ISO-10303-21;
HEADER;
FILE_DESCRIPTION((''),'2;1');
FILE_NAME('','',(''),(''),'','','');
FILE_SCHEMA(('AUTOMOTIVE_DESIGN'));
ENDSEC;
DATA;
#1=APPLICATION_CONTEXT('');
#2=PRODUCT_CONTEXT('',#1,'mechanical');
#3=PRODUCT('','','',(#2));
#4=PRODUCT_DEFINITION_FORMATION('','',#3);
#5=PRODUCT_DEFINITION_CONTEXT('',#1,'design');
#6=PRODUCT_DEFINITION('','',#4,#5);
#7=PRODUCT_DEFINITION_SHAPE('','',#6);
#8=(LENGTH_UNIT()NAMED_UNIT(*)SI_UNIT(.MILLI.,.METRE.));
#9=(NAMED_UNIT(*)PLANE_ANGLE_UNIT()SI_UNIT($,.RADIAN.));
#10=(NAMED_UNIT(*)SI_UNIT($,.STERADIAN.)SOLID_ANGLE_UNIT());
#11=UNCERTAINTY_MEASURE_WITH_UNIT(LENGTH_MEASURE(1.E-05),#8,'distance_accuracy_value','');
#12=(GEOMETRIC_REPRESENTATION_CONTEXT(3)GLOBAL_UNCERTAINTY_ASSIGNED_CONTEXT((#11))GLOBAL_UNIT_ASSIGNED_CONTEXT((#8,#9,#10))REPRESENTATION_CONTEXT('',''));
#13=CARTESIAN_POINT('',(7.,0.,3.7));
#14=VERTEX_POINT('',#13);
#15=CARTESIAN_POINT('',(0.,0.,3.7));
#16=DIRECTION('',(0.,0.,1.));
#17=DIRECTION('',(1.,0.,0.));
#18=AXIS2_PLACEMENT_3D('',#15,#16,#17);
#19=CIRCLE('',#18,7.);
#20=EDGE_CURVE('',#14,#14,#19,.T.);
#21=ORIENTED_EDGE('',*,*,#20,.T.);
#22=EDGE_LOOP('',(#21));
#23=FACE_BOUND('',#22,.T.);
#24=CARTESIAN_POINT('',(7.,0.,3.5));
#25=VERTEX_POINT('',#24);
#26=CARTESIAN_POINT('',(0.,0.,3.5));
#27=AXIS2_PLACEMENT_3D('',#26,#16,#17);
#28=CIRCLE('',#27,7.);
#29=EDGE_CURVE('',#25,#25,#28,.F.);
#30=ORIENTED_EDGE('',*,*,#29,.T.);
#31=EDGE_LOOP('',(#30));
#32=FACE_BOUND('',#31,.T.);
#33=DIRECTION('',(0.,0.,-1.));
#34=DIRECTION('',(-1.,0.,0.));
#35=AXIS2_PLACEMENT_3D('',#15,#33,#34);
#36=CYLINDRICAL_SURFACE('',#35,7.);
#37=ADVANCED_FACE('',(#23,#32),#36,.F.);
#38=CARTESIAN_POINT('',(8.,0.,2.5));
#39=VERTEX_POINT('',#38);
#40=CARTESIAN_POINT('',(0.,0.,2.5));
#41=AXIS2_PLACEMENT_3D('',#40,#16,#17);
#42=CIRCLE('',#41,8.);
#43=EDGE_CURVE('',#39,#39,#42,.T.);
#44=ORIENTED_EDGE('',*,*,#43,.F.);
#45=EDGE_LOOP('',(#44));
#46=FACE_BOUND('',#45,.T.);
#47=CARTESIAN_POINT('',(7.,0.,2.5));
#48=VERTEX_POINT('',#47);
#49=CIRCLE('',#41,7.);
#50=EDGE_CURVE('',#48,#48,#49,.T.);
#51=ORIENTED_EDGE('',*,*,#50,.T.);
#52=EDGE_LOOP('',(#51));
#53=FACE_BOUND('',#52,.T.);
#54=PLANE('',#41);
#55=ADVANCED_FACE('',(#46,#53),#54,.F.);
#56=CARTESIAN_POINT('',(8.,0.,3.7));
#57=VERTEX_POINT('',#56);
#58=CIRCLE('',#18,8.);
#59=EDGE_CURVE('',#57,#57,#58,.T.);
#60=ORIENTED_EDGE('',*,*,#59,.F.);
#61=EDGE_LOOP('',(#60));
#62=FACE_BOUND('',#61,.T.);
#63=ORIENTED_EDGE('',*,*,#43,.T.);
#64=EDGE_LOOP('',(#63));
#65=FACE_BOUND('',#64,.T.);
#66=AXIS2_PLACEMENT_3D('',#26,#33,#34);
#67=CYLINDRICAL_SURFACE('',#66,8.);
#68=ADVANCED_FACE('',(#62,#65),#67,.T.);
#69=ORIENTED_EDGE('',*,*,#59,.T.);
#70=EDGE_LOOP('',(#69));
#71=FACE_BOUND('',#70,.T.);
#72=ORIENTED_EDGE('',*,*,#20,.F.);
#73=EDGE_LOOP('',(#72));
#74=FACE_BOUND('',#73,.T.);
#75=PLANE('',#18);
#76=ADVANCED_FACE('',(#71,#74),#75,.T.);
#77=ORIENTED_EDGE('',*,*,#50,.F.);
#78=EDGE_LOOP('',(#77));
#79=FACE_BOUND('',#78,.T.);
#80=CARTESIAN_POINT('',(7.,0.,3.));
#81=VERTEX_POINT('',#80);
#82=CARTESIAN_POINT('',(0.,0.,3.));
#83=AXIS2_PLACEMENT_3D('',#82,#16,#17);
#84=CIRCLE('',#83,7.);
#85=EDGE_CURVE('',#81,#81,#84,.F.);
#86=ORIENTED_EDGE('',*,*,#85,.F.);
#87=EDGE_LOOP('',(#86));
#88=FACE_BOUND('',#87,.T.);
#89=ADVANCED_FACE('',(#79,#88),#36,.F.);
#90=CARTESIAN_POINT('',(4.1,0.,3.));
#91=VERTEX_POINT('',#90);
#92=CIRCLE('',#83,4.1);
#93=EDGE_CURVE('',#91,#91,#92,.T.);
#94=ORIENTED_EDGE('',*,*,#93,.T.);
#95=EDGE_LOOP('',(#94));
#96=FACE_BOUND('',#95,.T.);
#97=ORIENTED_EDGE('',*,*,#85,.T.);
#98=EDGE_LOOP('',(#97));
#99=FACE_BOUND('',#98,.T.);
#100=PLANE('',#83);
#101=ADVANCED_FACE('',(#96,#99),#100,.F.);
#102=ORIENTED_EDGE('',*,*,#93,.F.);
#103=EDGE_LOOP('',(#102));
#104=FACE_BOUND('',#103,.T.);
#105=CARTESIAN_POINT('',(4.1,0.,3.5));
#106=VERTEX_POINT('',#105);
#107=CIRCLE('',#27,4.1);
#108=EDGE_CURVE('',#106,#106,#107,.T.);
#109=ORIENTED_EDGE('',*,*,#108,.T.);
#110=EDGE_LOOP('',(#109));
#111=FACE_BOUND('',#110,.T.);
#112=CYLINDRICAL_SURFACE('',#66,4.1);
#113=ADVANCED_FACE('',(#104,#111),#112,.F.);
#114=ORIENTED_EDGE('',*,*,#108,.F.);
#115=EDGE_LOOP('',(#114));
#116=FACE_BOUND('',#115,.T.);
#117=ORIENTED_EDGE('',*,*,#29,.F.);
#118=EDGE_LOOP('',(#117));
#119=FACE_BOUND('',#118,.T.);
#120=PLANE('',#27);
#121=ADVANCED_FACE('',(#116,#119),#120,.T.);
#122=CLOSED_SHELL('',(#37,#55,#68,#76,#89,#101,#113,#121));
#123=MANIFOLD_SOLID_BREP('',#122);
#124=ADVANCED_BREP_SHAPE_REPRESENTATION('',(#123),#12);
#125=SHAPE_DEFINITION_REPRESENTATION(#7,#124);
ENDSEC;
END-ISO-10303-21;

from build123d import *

# Parameters (mm, degrees)
OUTER_FLANGE_CONTACT_ANNULUS_ID8P2_START = 3
SKETCH1_R                                = 8
SKETCH1_R_2                              = 4.1
OUTER_FLANGE_CONTACT_ANNULUS_ID8P2_DEPTH = 0.5
M14X0P5_INTERNAL_THREAD_ENVELOPE_START   = 2.5
SKETCH2_R                                = 8
SKETCH2_R_2                              = 7
M14X0P5_INTERNAL_THREAD_ENVELOPE_DEPTH   = 1.2


with BuildPart() as part:
    # Sketch1 → Outer_Flange_Contact_Annulus_ID8p2 (new body)
    with BuildSketch(Plane.XY.offset(OUTER_FLANGE_CONTACT_ANNULUS_ID8P2_START)):
        Circle(SKETCH1_R)
        Circle(SKETCH1_R_2, mode=Mode.SUBTRACT)
    extrude(amount=OUTER_FLANGE_CONTACT_ANNULUS_ID8P2_DEPTH)

    # Sketch2 → M14x0p5_Internal_Thread_Envelope (add)
    with BuildSketch(Plane.XY.offset(M14X0P5_INTERNAL_THREAD_ENVELOPE_START)):
        Circle(SKETCH2_R)
        Circle(SKETCH2_R_2, mode=Mode.SUBTRACT)
    extrude(amount=M14X0P5_INTERNAL_THREAD_ENVELOPE_DEPTH)


solid = part.part
